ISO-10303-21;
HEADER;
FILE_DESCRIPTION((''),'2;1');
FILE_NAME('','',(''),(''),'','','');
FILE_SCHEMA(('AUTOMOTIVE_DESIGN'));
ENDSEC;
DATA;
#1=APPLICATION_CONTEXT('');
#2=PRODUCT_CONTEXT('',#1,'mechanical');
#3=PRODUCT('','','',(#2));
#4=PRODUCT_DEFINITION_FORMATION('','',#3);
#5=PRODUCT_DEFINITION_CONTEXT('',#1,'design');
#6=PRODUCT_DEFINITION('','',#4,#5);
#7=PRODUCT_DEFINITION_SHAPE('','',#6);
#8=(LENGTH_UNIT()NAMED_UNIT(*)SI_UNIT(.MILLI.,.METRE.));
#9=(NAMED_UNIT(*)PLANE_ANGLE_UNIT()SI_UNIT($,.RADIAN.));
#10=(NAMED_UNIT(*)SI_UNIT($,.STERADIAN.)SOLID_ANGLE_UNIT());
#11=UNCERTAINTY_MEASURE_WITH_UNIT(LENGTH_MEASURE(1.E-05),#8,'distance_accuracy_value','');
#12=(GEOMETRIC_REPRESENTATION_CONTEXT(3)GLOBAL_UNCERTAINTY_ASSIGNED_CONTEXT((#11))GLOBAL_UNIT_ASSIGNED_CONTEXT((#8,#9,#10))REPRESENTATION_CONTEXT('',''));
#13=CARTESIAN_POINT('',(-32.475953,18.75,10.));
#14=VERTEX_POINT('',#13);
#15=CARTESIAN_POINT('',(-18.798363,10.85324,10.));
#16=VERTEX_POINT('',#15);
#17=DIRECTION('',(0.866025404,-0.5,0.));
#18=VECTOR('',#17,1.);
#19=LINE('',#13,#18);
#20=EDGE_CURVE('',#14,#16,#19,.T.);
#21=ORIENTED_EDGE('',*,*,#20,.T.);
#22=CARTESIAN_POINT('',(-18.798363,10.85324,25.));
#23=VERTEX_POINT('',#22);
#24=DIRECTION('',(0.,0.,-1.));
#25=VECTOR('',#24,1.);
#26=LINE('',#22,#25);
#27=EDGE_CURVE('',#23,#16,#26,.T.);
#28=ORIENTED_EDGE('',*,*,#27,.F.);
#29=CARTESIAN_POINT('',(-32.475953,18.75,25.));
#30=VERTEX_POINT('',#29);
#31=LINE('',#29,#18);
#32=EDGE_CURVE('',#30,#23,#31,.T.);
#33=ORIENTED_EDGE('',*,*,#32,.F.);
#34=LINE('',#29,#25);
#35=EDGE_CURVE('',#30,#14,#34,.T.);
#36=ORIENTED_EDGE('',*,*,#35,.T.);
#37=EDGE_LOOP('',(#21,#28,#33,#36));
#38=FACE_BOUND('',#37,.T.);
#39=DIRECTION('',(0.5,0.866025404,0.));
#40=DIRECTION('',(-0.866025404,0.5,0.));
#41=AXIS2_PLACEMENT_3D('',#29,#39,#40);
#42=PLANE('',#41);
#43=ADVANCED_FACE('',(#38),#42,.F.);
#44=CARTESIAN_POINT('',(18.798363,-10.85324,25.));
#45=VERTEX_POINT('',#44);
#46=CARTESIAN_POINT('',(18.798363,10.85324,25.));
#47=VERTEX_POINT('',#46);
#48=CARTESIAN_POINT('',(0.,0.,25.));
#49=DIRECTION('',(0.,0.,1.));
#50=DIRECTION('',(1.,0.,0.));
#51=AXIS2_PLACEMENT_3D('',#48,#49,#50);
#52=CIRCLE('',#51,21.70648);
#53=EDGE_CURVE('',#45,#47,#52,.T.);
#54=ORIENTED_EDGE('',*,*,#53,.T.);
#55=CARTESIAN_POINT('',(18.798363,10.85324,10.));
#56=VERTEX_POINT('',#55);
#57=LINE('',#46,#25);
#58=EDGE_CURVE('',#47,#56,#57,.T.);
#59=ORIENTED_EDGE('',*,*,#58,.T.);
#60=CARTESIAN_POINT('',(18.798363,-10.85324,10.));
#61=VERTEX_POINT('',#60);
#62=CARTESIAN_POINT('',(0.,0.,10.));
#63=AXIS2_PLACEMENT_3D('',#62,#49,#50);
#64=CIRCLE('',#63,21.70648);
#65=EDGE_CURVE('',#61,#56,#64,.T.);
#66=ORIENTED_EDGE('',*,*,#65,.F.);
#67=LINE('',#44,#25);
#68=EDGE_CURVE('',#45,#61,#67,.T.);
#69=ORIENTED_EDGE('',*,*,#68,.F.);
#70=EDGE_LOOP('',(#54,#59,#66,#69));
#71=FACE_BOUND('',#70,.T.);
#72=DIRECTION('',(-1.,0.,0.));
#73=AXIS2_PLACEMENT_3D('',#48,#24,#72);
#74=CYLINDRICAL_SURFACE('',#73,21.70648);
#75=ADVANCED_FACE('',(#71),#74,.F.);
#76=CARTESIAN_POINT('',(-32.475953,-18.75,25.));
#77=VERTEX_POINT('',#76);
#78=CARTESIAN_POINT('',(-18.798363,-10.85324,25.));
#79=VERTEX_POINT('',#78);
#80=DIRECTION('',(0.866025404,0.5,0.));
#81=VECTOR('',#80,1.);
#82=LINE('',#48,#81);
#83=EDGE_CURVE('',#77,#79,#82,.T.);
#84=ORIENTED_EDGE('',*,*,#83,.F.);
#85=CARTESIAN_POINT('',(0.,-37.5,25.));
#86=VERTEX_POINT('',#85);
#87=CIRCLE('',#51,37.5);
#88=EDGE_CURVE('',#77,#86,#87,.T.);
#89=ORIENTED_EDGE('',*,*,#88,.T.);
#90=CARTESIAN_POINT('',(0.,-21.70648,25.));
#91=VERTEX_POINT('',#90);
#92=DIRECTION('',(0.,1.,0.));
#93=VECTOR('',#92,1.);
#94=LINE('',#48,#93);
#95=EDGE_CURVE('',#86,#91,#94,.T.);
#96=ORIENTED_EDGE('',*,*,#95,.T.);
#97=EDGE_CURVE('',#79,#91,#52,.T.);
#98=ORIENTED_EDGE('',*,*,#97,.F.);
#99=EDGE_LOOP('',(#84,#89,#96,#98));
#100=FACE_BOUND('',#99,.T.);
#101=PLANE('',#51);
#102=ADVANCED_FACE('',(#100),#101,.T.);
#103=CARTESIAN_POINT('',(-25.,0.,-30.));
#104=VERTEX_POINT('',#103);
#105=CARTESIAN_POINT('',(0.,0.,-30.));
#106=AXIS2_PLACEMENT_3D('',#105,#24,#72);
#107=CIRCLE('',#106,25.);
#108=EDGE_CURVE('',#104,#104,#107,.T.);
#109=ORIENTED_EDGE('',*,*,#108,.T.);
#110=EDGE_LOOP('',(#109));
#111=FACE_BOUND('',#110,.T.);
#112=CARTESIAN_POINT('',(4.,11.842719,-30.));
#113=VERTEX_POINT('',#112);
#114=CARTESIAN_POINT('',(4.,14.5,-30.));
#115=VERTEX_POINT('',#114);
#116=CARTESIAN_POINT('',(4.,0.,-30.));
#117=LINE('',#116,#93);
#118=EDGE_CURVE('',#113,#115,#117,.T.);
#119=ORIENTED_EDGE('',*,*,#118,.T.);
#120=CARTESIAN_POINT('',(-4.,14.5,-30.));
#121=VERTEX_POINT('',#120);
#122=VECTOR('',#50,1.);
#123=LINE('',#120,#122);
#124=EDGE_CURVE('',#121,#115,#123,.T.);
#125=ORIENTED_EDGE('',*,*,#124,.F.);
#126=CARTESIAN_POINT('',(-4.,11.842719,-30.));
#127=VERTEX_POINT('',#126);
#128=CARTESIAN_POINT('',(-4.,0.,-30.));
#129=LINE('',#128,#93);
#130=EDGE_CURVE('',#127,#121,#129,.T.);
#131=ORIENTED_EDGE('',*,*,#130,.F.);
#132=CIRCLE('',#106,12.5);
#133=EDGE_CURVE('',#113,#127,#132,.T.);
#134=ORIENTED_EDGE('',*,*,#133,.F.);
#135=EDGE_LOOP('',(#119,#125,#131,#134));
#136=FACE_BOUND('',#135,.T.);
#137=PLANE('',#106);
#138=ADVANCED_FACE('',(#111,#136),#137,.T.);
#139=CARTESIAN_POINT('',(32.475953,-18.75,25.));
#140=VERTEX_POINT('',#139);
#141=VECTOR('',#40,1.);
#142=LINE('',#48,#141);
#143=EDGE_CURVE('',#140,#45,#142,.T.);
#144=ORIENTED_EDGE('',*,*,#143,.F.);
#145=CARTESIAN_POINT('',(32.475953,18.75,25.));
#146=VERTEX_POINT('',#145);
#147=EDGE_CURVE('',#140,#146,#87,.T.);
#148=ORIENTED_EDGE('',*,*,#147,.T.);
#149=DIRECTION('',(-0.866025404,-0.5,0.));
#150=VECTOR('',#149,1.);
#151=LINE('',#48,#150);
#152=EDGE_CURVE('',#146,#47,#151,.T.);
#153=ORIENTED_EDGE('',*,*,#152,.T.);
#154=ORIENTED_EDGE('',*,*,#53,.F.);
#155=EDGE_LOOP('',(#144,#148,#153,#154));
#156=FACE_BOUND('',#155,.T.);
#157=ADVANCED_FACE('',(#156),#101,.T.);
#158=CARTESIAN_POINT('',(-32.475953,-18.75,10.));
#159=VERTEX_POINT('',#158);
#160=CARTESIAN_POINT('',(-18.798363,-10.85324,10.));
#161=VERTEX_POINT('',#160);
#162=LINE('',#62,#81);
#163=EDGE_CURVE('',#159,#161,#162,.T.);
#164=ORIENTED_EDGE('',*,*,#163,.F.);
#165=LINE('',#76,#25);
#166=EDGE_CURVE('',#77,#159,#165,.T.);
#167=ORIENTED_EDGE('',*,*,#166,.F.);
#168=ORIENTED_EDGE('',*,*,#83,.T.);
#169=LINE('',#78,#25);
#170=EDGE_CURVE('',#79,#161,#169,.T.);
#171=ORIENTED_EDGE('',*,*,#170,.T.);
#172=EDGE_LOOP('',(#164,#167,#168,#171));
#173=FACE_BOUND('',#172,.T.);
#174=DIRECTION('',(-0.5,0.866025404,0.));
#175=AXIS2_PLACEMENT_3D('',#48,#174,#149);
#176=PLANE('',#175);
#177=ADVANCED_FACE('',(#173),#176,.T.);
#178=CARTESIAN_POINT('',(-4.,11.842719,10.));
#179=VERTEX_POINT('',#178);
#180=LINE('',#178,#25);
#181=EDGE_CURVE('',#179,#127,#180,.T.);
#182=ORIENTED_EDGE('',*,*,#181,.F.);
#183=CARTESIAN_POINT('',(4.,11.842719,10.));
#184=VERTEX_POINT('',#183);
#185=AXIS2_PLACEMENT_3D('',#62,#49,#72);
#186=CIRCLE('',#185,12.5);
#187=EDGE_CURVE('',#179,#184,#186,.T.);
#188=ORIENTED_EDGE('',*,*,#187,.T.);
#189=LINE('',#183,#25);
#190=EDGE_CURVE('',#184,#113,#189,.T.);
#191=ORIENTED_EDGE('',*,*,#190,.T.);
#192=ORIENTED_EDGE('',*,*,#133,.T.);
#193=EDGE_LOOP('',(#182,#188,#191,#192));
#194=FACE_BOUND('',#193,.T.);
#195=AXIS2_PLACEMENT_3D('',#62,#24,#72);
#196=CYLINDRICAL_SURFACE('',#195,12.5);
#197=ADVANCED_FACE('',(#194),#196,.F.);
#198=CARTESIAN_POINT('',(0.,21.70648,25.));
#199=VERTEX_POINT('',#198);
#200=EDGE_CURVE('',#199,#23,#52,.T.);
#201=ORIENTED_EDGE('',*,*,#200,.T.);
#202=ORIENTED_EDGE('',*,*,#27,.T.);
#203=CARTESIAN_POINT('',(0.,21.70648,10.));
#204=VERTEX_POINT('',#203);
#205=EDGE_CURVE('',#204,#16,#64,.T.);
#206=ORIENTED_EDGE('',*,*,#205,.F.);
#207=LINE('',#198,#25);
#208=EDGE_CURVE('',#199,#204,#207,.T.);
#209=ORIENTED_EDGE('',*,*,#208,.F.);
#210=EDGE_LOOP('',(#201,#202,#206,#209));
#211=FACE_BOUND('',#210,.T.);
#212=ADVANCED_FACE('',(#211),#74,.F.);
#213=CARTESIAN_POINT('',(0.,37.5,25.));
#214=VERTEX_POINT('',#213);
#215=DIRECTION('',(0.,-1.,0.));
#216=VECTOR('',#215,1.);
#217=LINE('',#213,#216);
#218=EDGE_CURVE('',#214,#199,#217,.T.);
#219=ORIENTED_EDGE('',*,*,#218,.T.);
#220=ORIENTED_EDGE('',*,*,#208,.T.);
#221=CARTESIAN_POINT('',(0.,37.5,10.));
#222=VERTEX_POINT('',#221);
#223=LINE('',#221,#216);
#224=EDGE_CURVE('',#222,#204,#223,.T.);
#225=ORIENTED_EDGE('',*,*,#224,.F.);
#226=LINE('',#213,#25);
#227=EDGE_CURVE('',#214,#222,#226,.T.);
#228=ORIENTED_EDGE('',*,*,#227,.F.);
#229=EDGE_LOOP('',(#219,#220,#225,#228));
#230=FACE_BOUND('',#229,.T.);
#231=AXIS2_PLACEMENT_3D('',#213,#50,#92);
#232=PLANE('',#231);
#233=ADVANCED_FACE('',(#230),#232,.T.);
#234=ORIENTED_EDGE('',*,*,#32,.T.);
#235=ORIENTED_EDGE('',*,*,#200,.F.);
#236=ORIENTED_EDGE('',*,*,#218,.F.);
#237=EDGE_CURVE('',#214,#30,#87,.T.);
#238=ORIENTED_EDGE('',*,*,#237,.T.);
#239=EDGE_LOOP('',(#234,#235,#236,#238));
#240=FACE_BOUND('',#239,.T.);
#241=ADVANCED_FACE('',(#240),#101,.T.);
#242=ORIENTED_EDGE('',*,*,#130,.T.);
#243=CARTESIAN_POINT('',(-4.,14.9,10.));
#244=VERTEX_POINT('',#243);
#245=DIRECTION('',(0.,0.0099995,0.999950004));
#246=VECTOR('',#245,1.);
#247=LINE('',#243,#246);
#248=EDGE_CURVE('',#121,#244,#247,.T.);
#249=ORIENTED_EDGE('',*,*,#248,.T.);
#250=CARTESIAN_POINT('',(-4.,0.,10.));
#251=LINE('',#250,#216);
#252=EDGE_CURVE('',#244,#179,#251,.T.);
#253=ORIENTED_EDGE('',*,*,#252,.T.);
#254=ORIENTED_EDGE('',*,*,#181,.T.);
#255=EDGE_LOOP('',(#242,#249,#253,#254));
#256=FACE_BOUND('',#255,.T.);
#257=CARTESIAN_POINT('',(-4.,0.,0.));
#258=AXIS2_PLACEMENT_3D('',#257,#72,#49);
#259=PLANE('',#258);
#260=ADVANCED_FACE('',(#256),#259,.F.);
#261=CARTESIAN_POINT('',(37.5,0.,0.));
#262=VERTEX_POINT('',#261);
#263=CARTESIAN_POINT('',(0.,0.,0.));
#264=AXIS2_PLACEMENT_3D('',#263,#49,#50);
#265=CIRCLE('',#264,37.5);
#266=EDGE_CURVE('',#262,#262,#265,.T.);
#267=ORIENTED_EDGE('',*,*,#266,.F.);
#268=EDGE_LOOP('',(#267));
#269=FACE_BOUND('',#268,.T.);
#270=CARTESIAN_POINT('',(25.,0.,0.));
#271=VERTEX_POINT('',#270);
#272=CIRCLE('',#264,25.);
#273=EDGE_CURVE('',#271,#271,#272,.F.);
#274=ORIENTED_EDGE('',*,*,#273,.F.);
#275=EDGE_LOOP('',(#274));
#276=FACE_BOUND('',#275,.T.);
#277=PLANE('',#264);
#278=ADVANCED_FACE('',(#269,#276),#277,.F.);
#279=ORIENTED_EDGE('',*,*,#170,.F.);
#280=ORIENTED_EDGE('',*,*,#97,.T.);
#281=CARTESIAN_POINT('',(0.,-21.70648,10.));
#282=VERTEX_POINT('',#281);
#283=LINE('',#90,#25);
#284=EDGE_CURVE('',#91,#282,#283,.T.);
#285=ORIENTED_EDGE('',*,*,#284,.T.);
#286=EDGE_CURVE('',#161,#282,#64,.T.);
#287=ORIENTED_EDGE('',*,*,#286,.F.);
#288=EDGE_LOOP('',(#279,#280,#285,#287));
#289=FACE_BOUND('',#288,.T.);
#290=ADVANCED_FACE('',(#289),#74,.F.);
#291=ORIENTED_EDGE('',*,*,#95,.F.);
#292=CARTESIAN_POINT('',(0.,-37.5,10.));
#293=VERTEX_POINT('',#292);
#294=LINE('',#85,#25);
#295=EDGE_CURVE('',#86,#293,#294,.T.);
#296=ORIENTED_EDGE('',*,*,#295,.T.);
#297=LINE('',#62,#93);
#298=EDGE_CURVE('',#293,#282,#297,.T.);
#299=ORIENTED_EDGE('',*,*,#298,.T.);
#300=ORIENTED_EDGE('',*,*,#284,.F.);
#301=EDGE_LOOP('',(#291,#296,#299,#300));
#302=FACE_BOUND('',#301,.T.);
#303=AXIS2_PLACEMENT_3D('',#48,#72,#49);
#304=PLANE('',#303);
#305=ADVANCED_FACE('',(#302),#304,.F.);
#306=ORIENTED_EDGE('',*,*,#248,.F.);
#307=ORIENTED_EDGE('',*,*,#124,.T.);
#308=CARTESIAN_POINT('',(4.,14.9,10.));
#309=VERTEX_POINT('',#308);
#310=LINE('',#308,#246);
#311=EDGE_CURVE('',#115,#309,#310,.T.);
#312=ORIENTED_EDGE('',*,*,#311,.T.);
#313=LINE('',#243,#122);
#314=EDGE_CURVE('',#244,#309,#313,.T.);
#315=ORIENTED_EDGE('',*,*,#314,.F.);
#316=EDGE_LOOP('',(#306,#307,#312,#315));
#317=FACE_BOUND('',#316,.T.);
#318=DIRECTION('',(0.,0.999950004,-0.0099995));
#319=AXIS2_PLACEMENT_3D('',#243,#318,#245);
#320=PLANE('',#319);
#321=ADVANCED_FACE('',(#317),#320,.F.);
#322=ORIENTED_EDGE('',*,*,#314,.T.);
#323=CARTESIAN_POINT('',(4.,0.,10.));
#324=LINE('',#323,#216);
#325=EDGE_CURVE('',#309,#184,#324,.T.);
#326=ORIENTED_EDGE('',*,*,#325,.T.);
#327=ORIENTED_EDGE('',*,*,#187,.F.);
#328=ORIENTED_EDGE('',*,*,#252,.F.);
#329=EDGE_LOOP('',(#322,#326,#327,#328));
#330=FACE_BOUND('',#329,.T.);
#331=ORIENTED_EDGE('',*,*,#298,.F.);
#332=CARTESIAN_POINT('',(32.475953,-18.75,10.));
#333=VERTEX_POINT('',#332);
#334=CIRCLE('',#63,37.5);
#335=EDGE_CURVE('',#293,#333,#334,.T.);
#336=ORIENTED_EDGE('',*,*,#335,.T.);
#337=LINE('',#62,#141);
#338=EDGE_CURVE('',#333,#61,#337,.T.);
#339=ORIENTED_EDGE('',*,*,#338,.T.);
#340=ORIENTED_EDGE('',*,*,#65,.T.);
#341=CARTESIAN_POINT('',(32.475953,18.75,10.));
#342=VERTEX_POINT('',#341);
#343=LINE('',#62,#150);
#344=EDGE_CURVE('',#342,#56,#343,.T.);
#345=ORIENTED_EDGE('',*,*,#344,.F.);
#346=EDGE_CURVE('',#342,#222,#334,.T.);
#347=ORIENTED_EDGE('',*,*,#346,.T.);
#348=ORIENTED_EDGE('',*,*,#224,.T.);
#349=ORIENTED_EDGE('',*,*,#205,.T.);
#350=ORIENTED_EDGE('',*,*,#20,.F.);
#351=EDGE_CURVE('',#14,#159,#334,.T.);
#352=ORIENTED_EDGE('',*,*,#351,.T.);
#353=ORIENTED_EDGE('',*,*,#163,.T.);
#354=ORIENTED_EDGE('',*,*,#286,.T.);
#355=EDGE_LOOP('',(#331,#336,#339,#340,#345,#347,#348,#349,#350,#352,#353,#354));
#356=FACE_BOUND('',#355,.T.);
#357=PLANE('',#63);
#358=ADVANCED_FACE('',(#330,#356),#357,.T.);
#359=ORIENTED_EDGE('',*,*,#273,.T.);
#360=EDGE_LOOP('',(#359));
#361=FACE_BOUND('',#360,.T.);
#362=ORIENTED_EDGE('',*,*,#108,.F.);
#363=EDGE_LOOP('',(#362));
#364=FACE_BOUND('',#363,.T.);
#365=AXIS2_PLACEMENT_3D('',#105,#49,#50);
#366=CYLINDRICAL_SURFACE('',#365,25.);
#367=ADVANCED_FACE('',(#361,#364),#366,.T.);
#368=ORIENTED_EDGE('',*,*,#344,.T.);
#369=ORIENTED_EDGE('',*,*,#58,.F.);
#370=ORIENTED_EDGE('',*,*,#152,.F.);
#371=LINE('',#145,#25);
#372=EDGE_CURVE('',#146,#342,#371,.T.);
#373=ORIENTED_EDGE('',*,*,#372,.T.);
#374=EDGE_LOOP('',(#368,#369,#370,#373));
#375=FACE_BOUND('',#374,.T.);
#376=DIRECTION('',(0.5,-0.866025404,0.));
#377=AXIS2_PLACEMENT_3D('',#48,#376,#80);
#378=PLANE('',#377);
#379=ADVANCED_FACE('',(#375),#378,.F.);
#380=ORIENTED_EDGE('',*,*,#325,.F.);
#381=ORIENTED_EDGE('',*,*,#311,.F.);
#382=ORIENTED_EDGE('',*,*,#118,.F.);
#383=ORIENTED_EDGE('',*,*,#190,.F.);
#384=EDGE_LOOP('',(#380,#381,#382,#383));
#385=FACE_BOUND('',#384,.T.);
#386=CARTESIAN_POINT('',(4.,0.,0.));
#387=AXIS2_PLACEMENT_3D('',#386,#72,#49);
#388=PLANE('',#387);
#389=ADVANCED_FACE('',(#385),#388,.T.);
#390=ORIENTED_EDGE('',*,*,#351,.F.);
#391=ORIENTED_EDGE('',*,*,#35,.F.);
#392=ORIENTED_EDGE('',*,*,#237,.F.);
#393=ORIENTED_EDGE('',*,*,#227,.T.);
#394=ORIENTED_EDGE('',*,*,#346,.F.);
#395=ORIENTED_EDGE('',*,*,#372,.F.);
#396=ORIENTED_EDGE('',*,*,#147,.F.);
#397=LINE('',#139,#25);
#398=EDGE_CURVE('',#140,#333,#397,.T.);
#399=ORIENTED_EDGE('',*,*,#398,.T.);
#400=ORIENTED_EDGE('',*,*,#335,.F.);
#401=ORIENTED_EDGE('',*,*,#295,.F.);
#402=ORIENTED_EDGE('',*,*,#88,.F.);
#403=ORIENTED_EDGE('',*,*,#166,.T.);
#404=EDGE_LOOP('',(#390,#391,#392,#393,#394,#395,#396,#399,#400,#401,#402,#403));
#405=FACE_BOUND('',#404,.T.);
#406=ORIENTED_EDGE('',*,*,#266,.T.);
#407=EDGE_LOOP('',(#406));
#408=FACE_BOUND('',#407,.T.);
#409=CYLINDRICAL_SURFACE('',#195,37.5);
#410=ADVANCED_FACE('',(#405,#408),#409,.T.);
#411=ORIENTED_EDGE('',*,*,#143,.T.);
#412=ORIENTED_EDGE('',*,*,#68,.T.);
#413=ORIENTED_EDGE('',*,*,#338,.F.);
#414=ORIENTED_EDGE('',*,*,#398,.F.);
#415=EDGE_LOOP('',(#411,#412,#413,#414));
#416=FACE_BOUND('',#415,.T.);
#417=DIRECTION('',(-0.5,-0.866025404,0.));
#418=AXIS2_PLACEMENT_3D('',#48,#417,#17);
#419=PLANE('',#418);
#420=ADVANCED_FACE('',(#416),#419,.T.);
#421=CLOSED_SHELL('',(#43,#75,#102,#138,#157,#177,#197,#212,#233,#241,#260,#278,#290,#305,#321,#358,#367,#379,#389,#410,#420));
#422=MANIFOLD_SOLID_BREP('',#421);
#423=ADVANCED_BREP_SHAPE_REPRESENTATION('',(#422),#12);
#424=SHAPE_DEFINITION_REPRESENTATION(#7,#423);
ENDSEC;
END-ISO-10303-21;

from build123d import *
from build123d.topology import SkipClean

# Parameters (mm, degrees)
SKETCH1_R           = 37.5
BOSS_EXTRUDE1_DEPTH = 10
BOSS_EXTRUDE2_DEPTH = 15
BOSS_EXTRUDE3_START = 30
SKETCH5_R           = 25
SKETCH5_R_2         = 12.5
BOSS_EXTRUDE3_DEPTH = 30
CUT_EXTRUDE1_DEPTH  = 4


with BuildPart() as part:
    # Sketch1 → Boss-Extrude1 (new body)
    with BuildSketch(Plane.XY):
        Circle(SKETCH1_R)
        with BuildLine():
            ThreePointArc((-4, 11.842719282), (0, -12.5), (4, 11.842719282))
            ThreePointArc((4, 11.842719282), (0, 12.5), (-4, 11.842719282))
        make_face(mode=Mode.SUBTRACT)
    extrude(amount=BOSS_EXTRUDE1_DEPTH)

    # Sketch3 → Boss-Extrude2 (add)
    with SkipClean():  # the faces are left unmerged after this step: merging them gives an invalid solid
        with BuildSketch(Plane.XY.offset(10)):
            with BuildLine():
                Line((-32.475952642, -18.75), (-18.798362826, -10.853239838))
                ThreePointArc((-18.798362826, -10.853239838), (-10.853239838, -18.798362826), (0, -21.706479676))
                Line((0, -21.706479676), (0, -37.5))
                ThreePointArc((0, -37.5), (-18.75, -32.475952642), (-32.475952642, -18.75))
            make_face()
            with BuildLine():
                Line((0, 37.5), (0, 21.706479676))
                ThreePointArc((0, 21.706479676), (-10.853239838, 18.798362826), (-18.798362826, 10.853239838))
                Line((-18.798362826, 10.853239838), (-32.475952642, 18.75))
                ThreePointArc((-32.475952642, 18.75), (-18.75, 32.475952642), (0, 37.5))
            make_face()
            with BuildLine():
                Line((32.475952642, -18.75), (18.798362826, -10.853239838))
                ThreePointArc((18.798362826, -10.853239838), (21.706479676, 0), (18.798362826, 10.853239838))
                Line((18.798362826, 10.853239838), (32.475952642, 18.75))
                ThreePointArc((32.475952642, 18.75), (37.5, 0), (32.475952642, -18.75))
            make_face()
        extrude(amount=BOSS_EXTRUDE2_DEPTH)

    # Sketch5 → Boss-Extrude3 (add)
    with SkipClean():  # the faces are left unmerged after this step: merging them gives an invalid solid
        with BuildSketch(Plane(origin=(0, 0, 0), x_dir=(-1, 0, 0), z_dir=(0, 0, -1)).offset(BOSS_EXTRUDE3_START)):
            with Locations(Location((0, 0, 0), (0, 0, 180))):
                Circle(SKETCH5_R)
            Circle(SKETCH5_R_2, mode=Mode.SUBTRACT)
        extrude(amount=-BOSS_EXTRUDE3_DEPTH)

    # Sketch7 → Cut-Extrude1 (cut, symmetric)
    with SkipClean():  # the faces are left unmerged after this step: merging them gives an invalid solid
        with BuildSketch(Plane(origin=(0, 0, 0), x_dir=(0, 0, -1), z_dir=(1, 0, 0))):
            Polygon((30, 0), (-10, 0), (-10, 14.9), (30, 14.5), align=None)
        extrude(amount=CUT_EXTRUDE1_DEPTH, both=True, mode=Mode.SUBTRACT)


solid = part.part
